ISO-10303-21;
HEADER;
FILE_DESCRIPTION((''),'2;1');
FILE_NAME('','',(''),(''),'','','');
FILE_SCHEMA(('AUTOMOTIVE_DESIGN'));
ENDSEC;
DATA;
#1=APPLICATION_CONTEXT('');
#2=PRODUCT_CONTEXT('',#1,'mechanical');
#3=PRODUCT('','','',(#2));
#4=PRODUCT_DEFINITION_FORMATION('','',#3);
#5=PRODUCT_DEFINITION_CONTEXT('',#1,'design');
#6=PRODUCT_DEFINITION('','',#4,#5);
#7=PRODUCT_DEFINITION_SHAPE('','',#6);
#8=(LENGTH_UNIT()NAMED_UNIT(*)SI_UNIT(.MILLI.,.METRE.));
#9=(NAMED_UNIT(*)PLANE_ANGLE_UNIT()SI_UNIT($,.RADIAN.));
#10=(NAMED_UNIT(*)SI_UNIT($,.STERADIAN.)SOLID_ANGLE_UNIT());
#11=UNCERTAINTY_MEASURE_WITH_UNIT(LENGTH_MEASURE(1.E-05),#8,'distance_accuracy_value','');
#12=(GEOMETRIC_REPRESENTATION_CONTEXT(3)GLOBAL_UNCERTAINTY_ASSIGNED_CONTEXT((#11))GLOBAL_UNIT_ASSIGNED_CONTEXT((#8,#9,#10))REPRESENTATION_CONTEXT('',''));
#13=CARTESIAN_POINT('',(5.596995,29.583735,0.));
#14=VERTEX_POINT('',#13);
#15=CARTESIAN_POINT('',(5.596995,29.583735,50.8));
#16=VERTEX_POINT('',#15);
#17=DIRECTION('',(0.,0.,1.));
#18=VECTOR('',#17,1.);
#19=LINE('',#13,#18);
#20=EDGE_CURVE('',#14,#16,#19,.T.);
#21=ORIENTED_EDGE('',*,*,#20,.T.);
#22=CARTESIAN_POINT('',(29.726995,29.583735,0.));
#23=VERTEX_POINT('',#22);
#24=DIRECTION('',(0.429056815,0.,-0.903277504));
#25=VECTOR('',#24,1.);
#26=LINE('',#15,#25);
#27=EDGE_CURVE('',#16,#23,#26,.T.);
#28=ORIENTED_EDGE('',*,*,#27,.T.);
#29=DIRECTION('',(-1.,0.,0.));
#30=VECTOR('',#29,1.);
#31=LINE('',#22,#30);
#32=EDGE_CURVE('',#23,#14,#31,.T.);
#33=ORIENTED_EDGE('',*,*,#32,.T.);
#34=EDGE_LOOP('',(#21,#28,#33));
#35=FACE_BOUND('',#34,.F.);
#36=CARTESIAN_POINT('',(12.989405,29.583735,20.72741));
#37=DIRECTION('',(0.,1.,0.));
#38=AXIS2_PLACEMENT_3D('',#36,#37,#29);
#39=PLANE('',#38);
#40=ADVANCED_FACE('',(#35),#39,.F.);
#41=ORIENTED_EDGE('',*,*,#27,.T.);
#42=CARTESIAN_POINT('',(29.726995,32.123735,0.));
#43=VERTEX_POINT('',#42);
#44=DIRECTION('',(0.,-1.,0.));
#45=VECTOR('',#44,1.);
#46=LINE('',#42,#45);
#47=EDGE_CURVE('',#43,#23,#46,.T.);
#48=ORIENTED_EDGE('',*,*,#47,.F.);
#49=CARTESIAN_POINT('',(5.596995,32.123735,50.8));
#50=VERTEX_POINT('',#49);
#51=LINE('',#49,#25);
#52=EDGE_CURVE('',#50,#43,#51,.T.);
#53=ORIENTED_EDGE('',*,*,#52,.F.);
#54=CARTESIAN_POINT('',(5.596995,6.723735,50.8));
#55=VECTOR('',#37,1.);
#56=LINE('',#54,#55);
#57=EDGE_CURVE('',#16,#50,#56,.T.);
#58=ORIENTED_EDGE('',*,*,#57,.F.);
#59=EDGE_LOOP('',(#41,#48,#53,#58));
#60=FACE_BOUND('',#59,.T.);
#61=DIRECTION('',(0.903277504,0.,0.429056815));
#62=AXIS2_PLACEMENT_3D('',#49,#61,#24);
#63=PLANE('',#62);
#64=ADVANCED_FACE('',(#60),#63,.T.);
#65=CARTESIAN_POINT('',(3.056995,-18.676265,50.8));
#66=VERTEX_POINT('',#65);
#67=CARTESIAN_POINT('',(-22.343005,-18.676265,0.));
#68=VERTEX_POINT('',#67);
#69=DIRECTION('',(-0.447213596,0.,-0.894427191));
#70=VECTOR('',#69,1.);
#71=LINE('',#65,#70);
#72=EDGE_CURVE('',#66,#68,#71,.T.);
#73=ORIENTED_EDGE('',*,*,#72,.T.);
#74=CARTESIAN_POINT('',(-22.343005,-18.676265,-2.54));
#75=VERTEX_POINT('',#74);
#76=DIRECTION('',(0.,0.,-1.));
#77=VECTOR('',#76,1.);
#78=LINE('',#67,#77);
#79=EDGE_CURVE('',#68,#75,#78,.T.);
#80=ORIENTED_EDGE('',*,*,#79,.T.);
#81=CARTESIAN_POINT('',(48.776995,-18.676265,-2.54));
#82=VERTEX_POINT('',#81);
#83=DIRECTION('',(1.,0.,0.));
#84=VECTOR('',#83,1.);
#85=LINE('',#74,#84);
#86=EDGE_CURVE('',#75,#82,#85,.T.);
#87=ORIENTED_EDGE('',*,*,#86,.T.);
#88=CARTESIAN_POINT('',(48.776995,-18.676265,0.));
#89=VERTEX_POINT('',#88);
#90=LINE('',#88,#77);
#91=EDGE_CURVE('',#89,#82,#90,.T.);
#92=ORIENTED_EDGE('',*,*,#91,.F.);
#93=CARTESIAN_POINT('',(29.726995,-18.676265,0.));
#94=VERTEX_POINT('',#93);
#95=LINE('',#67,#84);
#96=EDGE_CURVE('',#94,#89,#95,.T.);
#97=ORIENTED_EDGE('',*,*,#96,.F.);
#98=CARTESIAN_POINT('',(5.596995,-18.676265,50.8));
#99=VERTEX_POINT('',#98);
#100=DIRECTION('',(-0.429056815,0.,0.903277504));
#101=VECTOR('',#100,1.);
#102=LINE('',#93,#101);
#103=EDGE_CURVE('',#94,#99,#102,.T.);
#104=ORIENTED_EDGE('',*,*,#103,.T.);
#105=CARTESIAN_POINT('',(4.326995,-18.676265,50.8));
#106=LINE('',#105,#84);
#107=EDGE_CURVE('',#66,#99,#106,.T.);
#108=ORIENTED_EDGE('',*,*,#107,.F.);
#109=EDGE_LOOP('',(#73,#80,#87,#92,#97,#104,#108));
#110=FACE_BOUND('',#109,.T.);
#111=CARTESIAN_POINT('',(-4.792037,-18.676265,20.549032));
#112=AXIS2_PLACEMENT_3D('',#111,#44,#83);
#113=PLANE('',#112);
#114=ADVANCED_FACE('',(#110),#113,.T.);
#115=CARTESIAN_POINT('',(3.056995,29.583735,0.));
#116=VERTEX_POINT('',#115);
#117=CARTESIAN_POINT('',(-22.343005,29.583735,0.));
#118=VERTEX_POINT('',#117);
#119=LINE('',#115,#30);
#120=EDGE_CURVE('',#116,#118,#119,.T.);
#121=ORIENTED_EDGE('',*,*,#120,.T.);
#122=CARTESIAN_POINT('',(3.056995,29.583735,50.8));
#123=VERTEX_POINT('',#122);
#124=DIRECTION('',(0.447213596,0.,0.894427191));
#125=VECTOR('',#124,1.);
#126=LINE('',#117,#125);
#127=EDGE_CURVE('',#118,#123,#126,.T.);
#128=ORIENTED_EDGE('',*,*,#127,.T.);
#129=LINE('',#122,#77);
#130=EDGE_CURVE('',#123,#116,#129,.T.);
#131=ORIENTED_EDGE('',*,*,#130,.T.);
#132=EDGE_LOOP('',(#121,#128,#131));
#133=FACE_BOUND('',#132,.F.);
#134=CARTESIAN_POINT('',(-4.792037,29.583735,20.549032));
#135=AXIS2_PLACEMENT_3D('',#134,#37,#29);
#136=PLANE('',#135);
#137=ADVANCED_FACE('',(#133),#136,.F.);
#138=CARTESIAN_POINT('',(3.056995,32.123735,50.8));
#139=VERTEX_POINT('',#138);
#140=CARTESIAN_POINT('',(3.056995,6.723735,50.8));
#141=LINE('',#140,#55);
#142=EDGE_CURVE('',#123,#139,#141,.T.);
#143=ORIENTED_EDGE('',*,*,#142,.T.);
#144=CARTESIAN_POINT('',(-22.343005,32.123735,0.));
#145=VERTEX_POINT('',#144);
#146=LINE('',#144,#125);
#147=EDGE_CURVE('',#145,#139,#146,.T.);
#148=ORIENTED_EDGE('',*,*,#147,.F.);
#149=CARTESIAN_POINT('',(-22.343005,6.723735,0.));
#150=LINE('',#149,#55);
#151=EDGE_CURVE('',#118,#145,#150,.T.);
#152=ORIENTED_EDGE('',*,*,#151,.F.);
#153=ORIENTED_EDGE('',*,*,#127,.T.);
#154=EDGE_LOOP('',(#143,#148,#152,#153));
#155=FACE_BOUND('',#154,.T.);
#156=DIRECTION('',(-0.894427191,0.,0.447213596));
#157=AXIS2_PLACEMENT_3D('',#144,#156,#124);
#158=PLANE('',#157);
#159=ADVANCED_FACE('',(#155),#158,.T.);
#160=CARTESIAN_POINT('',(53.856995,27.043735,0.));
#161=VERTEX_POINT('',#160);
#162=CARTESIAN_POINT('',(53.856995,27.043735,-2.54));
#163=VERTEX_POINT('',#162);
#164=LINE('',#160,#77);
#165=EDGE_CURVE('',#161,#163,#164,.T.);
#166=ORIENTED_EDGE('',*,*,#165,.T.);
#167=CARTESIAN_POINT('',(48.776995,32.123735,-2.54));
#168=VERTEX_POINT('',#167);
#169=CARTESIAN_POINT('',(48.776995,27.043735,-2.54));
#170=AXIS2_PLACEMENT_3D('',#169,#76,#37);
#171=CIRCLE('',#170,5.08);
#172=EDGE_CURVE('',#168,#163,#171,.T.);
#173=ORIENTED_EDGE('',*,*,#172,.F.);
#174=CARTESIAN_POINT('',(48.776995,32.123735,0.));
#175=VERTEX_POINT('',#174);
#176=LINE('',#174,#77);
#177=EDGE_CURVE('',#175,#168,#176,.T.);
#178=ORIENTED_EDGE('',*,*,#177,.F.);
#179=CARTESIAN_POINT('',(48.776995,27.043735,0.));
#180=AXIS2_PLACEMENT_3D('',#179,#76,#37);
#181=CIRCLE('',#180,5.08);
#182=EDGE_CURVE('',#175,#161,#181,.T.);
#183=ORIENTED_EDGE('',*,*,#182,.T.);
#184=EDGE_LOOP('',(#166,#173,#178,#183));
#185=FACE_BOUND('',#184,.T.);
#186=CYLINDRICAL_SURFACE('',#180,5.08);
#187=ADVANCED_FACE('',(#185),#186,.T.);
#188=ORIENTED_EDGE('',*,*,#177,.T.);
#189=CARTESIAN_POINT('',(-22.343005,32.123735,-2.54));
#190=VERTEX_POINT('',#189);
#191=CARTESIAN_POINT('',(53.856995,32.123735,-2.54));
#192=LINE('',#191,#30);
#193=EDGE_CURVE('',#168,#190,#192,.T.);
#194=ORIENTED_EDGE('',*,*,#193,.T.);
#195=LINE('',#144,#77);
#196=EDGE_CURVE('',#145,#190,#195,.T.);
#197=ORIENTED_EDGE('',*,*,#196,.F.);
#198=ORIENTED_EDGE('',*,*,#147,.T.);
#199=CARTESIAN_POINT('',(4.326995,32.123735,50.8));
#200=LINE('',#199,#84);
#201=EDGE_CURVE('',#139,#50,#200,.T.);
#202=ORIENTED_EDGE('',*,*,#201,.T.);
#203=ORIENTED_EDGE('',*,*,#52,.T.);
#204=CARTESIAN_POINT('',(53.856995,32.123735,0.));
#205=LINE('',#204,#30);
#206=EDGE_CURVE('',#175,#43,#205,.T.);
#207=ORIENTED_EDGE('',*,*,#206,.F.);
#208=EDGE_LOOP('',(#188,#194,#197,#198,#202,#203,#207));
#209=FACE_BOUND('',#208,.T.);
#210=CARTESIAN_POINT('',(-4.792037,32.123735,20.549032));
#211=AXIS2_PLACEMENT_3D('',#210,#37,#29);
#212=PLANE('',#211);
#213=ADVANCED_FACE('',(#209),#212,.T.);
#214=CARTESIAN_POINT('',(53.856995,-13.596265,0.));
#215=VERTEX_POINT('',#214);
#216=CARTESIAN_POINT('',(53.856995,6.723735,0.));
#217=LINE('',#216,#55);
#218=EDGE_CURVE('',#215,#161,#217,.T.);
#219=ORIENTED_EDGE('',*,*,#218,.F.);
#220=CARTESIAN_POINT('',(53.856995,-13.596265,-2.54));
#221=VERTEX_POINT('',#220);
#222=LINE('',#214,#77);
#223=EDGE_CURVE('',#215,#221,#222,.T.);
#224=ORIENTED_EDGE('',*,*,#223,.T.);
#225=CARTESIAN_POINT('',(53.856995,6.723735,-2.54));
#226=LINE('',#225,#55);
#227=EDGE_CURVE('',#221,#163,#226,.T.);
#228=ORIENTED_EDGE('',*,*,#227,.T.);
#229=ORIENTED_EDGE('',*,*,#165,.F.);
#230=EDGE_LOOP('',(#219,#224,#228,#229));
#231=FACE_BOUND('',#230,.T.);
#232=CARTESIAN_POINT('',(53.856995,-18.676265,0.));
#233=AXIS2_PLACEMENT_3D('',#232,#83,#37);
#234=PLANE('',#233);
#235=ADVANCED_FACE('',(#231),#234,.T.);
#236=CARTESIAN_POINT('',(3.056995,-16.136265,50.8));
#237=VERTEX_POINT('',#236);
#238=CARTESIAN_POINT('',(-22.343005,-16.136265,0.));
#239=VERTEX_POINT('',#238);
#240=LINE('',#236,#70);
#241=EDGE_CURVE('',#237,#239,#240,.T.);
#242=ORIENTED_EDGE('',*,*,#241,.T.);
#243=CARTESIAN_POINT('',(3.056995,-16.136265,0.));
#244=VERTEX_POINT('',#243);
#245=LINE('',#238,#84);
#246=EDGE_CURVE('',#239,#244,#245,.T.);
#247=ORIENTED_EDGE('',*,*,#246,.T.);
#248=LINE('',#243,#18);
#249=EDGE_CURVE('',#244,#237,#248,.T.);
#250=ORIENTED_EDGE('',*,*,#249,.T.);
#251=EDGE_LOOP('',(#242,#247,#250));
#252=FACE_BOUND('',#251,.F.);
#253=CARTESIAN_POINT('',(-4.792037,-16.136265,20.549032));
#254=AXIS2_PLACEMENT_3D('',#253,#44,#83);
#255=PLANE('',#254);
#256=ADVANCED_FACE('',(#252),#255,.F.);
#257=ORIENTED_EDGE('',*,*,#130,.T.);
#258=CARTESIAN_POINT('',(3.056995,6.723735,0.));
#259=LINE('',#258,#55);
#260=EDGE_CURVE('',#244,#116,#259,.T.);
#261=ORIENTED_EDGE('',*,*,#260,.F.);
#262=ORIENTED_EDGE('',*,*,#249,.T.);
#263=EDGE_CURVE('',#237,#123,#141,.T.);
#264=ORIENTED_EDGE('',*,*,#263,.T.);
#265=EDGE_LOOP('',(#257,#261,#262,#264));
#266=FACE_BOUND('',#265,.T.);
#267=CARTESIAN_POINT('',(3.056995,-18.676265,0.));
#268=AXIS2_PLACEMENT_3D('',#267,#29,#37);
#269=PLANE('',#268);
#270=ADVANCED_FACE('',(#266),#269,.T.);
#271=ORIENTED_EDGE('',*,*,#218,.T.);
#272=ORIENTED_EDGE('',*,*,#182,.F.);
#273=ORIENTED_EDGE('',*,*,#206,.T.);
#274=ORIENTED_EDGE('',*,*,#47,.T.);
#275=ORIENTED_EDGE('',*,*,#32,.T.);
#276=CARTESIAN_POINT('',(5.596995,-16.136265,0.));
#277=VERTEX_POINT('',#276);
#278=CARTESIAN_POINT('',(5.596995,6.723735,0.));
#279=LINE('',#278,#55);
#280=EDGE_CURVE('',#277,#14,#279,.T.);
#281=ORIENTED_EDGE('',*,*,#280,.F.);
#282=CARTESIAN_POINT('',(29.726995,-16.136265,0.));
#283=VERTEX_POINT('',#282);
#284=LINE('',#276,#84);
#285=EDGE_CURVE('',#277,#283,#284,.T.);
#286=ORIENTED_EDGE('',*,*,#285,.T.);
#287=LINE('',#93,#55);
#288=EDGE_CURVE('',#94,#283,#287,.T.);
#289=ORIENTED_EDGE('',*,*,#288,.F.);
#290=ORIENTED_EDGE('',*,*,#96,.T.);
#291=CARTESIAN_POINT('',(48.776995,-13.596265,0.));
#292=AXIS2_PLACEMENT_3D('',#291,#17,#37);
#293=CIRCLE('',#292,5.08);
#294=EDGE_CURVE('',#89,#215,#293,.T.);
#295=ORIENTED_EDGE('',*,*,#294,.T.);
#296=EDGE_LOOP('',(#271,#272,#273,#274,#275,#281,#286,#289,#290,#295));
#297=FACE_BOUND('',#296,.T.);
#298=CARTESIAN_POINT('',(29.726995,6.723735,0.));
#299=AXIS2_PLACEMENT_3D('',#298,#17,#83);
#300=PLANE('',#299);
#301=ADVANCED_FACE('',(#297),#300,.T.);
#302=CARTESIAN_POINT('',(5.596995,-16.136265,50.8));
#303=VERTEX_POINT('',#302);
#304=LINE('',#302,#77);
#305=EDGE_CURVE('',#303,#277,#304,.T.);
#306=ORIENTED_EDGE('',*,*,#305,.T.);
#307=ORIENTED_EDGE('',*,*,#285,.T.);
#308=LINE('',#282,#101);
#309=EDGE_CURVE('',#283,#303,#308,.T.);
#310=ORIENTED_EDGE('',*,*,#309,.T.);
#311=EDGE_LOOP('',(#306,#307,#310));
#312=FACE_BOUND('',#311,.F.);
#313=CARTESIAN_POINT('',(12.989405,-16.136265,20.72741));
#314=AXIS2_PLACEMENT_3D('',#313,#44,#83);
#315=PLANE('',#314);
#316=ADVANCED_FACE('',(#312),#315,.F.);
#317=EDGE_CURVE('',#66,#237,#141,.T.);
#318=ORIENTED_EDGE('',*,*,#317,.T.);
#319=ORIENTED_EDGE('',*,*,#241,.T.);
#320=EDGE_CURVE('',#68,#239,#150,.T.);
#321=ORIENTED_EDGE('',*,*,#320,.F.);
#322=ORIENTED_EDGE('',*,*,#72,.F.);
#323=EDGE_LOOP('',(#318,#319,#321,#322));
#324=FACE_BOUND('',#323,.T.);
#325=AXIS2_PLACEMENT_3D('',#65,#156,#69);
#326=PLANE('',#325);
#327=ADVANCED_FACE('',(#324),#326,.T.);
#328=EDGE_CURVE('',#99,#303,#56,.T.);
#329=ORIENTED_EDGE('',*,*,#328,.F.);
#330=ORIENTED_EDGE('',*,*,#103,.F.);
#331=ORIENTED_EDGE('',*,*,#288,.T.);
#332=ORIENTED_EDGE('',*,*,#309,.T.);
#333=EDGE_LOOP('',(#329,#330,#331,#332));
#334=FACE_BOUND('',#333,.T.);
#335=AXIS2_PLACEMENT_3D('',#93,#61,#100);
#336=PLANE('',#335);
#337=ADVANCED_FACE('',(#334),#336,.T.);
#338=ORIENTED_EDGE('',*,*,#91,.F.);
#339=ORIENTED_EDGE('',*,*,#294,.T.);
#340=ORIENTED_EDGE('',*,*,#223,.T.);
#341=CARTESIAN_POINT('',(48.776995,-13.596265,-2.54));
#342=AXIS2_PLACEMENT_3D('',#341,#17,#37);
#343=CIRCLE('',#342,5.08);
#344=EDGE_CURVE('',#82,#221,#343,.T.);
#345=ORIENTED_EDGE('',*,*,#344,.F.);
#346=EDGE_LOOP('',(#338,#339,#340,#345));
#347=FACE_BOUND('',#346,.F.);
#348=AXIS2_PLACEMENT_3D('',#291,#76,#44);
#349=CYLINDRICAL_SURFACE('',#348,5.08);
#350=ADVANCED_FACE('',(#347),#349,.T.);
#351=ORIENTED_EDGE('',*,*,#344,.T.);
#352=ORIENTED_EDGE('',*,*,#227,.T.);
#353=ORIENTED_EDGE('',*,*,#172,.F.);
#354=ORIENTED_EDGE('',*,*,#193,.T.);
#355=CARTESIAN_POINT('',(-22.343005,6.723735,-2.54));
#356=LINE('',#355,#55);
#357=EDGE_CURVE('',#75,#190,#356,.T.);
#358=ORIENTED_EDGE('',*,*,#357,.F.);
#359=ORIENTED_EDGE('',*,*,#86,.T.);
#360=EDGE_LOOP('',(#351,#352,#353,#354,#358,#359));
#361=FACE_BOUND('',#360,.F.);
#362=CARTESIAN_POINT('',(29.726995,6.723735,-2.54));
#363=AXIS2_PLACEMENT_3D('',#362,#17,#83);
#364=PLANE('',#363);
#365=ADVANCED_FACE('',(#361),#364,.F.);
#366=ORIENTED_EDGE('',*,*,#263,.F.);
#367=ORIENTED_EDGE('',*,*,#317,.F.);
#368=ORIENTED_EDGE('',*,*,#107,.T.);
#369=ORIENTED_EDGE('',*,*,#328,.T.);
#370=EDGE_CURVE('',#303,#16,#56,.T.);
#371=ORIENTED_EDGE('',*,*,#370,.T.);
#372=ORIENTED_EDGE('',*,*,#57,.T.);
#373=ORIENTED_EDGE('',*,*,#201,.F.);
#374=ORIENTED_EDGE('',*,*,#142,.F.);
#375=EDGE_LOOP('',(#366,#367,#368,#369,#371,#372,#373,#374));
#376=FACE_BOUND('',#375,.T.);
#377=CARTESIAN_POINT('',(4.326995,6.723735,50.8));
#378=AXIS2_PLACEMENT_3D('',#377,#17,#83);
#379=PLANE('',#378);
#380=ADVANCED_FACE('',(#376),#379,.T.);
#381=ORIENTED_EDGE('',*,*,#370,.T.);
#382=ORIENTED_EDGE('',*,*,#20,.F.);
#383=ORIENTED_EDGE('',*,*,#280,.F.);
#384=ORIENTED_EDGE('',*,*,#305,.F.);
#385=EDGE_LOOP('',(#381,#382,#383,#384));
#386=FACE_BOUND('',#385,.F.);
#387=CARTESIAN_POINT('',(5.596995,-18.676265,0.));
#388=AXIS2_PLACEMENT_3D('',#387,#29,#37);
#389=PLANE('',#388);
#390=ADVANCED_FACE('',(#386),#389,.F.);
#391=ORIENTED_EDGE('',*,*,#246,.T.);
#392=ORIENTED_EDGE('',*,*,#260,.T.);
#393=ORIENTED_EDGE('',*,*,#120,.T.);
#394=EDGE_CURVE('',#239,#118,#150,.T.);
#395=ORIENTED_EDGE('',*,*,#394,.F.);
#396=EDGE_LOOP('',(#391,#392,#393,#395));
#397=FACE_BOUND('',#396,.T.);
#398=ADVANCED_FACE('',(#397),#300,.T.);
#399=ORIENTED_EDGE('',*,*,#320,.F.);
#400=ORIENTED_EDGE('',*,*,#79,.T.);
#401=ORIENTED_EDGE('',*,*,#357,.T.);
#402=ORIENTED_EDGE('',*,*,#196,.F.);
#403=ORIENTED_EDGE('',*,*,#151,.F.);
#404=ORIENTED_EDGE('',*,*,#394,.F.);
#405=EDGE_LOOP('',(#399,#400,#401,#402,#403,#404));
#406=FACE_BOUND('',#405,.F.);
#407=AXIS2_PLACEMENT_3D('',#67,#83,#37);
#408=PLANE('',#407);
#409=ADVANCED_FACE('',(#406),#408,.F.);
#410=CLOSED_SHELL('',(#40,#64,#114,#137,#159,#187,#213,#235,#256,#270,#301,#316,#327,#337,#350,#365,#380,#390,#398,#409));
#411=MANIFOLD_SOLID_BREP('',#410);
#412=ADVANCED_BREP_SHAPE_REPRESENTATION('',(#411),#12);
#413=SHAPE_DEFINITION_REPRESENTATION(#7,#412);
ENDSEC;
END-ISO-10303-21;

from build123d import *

# Parameters (mm, degrees)
F0_W     = 48.26
F0_H     = 50.8
F0_W_2   = 25.4
F0_W_3   = 2.54
F1_DEPTH = 2.54
F2_DEPTH = 50.8
F4_DEPTH = 2.54
F6_DEPTH = 2.54
F7_R     = 5.08


with BuildPart() as f1:
    # F0 (on Top) → F1 (new body)
    with BuildSketch(Plane.XY):
        with Locations((29.726995, 6.723735)):
            Rectangle(F0_W, F0_H)
        with Locations((-9.643005, 6.723735)):
            Rectangle(F0_W_2, F0_H)
        with Locations((4.326995, 6.723735)):
            Rectangle(F0_W_3, F0_H)
    extrude(amount=-F1_DEPTH)

    # F0 (on Top) → F2 (join)
    with BuildSketch(Plane.XY):
        with Locations((4.326995, 6.723735)):
            Rectangle(F0_W_3, F0_H)
    extrude(amount=F2_DEPTH)

    # F3 (on face) → F4 (join)
    with BuildSketch(Plane.XZ.offset(18.676265)):
        Polygon((3.056995, 50.8), (-22.343005, 0), (3.056995, 0), align=None)
        Polygon((29.726995, 0), (5.596995, 50.8), (5.596995, 0), align=None)
    extrude(amount=-F4_DEPTH)

    # F5 (on face) → F6 (join)
    with BuildSketch(Plane(origin=(0, 32.123735, 0), x_dir=(-1, 0, 0), z_dir=(0, 1, 0))):
        Polygon((22.343005, 0), (-3.056995, 50.8), (-3.056995, 0), align=None)
        Polygon((-5.596995, 0), (-5.596995, 50.8), (-29.726995, 0), align=None)
    extrude(amount=-F6_DEPTH)

    # F7
    f7_edges = [f1.edges().sort_by_distance(p)[0] for p in [
        (53.856995, -18.676265, -1.27),
        (53.856995, 32.123735, -1.27),
    ]]
    fillet(f7_edges, radius=F7_R)


solid = f1.part
